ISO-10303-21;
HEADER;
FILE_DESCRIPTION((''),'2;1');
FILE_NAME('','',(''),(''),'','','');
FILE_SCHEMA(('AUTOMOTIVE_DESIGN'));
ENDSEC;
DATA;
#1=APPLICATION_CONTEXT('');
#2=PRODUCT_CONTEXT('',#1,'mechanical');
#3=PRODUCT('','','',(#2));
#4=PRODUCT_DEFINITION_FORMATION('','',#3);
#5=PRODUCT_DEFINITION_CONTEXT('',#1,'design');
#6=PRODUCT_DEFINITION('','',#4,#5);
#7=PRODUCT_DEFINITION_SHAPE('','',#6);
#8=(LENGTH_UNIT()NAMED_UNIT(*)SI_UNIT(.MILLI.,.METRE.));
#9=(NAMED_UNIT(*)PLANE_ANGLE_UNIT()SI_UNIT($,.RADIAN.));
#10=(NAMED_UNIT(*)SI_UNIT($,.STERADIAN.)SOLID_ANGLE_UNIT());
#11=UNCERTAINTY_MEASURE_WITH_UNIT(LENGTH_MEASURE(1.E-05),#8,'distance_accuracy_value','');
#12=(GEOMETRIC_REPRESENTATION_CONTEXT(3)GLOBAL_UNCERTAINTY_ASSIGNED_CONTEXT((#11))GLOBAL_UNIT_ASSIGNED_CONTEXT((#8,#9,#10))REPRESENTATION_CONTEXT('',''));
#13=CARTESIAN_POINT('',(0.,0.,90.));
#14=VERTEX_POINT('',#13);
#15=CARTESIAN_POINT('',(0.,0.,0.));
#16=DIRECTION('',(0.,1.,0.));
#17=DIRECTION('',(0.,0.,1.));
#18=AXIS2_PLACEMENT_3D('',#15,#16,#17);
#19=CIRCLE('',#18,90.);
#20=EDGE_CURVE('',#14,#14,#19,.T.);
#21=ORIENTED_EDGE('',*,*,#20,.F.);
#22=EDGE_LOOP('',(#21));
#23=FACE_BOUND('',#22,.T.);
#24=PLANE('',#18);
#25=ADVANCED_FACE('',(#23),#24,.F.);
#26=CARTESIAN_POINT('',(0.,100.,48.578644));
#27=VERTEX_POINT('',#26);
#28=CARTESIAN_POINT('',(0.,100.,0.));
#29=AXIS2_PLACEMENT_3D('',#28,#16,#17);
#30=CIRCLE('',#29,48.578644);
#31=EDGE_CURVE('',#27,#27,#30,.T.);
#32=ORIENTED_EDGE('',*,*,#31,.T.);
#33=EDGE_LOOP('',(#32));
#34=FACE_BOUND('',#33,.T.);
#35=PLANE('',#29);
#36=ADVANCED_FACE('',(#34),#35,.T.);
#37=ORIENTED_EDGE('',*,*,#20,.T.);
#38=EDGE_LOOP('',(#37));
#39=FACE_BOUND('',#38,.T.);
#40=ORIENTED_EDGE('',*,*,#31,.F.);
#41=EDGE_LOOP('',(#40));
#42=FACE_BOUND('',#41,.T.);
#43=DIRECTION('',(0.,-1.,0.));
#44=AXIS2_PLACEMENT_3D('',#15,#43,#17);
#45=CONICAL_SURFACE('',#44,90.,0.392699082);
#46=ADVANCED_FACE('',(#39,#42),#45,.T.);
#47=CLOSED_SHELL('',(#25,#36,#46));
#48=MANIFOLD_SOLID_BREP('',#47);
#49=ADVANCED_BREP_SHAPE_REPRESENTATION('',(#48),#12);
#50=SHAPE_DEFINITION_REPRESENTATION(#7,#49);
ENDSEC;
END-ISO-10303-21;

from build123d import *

# Parameters (mm, degrees)
SKETCH_1_R      = 90
EXTRUDE_1_DEPTH = 100
EXTRUDE_1_TAPER = 22.5


with BuildPart() as part:
    # 草图1 → 凸台-拉伸1 (new body)
    with BuildSketch(Plane(origin=(0, 0, 0), x_dir=(1, 0, 0), z_dir=(0, 1, 0))):
        Circle(SKETCH_1_R)
    extrude(amount=EXTRUDE_1_DEPTH, taper=EXTRUDE_1_TAPER)


solid = part.part
